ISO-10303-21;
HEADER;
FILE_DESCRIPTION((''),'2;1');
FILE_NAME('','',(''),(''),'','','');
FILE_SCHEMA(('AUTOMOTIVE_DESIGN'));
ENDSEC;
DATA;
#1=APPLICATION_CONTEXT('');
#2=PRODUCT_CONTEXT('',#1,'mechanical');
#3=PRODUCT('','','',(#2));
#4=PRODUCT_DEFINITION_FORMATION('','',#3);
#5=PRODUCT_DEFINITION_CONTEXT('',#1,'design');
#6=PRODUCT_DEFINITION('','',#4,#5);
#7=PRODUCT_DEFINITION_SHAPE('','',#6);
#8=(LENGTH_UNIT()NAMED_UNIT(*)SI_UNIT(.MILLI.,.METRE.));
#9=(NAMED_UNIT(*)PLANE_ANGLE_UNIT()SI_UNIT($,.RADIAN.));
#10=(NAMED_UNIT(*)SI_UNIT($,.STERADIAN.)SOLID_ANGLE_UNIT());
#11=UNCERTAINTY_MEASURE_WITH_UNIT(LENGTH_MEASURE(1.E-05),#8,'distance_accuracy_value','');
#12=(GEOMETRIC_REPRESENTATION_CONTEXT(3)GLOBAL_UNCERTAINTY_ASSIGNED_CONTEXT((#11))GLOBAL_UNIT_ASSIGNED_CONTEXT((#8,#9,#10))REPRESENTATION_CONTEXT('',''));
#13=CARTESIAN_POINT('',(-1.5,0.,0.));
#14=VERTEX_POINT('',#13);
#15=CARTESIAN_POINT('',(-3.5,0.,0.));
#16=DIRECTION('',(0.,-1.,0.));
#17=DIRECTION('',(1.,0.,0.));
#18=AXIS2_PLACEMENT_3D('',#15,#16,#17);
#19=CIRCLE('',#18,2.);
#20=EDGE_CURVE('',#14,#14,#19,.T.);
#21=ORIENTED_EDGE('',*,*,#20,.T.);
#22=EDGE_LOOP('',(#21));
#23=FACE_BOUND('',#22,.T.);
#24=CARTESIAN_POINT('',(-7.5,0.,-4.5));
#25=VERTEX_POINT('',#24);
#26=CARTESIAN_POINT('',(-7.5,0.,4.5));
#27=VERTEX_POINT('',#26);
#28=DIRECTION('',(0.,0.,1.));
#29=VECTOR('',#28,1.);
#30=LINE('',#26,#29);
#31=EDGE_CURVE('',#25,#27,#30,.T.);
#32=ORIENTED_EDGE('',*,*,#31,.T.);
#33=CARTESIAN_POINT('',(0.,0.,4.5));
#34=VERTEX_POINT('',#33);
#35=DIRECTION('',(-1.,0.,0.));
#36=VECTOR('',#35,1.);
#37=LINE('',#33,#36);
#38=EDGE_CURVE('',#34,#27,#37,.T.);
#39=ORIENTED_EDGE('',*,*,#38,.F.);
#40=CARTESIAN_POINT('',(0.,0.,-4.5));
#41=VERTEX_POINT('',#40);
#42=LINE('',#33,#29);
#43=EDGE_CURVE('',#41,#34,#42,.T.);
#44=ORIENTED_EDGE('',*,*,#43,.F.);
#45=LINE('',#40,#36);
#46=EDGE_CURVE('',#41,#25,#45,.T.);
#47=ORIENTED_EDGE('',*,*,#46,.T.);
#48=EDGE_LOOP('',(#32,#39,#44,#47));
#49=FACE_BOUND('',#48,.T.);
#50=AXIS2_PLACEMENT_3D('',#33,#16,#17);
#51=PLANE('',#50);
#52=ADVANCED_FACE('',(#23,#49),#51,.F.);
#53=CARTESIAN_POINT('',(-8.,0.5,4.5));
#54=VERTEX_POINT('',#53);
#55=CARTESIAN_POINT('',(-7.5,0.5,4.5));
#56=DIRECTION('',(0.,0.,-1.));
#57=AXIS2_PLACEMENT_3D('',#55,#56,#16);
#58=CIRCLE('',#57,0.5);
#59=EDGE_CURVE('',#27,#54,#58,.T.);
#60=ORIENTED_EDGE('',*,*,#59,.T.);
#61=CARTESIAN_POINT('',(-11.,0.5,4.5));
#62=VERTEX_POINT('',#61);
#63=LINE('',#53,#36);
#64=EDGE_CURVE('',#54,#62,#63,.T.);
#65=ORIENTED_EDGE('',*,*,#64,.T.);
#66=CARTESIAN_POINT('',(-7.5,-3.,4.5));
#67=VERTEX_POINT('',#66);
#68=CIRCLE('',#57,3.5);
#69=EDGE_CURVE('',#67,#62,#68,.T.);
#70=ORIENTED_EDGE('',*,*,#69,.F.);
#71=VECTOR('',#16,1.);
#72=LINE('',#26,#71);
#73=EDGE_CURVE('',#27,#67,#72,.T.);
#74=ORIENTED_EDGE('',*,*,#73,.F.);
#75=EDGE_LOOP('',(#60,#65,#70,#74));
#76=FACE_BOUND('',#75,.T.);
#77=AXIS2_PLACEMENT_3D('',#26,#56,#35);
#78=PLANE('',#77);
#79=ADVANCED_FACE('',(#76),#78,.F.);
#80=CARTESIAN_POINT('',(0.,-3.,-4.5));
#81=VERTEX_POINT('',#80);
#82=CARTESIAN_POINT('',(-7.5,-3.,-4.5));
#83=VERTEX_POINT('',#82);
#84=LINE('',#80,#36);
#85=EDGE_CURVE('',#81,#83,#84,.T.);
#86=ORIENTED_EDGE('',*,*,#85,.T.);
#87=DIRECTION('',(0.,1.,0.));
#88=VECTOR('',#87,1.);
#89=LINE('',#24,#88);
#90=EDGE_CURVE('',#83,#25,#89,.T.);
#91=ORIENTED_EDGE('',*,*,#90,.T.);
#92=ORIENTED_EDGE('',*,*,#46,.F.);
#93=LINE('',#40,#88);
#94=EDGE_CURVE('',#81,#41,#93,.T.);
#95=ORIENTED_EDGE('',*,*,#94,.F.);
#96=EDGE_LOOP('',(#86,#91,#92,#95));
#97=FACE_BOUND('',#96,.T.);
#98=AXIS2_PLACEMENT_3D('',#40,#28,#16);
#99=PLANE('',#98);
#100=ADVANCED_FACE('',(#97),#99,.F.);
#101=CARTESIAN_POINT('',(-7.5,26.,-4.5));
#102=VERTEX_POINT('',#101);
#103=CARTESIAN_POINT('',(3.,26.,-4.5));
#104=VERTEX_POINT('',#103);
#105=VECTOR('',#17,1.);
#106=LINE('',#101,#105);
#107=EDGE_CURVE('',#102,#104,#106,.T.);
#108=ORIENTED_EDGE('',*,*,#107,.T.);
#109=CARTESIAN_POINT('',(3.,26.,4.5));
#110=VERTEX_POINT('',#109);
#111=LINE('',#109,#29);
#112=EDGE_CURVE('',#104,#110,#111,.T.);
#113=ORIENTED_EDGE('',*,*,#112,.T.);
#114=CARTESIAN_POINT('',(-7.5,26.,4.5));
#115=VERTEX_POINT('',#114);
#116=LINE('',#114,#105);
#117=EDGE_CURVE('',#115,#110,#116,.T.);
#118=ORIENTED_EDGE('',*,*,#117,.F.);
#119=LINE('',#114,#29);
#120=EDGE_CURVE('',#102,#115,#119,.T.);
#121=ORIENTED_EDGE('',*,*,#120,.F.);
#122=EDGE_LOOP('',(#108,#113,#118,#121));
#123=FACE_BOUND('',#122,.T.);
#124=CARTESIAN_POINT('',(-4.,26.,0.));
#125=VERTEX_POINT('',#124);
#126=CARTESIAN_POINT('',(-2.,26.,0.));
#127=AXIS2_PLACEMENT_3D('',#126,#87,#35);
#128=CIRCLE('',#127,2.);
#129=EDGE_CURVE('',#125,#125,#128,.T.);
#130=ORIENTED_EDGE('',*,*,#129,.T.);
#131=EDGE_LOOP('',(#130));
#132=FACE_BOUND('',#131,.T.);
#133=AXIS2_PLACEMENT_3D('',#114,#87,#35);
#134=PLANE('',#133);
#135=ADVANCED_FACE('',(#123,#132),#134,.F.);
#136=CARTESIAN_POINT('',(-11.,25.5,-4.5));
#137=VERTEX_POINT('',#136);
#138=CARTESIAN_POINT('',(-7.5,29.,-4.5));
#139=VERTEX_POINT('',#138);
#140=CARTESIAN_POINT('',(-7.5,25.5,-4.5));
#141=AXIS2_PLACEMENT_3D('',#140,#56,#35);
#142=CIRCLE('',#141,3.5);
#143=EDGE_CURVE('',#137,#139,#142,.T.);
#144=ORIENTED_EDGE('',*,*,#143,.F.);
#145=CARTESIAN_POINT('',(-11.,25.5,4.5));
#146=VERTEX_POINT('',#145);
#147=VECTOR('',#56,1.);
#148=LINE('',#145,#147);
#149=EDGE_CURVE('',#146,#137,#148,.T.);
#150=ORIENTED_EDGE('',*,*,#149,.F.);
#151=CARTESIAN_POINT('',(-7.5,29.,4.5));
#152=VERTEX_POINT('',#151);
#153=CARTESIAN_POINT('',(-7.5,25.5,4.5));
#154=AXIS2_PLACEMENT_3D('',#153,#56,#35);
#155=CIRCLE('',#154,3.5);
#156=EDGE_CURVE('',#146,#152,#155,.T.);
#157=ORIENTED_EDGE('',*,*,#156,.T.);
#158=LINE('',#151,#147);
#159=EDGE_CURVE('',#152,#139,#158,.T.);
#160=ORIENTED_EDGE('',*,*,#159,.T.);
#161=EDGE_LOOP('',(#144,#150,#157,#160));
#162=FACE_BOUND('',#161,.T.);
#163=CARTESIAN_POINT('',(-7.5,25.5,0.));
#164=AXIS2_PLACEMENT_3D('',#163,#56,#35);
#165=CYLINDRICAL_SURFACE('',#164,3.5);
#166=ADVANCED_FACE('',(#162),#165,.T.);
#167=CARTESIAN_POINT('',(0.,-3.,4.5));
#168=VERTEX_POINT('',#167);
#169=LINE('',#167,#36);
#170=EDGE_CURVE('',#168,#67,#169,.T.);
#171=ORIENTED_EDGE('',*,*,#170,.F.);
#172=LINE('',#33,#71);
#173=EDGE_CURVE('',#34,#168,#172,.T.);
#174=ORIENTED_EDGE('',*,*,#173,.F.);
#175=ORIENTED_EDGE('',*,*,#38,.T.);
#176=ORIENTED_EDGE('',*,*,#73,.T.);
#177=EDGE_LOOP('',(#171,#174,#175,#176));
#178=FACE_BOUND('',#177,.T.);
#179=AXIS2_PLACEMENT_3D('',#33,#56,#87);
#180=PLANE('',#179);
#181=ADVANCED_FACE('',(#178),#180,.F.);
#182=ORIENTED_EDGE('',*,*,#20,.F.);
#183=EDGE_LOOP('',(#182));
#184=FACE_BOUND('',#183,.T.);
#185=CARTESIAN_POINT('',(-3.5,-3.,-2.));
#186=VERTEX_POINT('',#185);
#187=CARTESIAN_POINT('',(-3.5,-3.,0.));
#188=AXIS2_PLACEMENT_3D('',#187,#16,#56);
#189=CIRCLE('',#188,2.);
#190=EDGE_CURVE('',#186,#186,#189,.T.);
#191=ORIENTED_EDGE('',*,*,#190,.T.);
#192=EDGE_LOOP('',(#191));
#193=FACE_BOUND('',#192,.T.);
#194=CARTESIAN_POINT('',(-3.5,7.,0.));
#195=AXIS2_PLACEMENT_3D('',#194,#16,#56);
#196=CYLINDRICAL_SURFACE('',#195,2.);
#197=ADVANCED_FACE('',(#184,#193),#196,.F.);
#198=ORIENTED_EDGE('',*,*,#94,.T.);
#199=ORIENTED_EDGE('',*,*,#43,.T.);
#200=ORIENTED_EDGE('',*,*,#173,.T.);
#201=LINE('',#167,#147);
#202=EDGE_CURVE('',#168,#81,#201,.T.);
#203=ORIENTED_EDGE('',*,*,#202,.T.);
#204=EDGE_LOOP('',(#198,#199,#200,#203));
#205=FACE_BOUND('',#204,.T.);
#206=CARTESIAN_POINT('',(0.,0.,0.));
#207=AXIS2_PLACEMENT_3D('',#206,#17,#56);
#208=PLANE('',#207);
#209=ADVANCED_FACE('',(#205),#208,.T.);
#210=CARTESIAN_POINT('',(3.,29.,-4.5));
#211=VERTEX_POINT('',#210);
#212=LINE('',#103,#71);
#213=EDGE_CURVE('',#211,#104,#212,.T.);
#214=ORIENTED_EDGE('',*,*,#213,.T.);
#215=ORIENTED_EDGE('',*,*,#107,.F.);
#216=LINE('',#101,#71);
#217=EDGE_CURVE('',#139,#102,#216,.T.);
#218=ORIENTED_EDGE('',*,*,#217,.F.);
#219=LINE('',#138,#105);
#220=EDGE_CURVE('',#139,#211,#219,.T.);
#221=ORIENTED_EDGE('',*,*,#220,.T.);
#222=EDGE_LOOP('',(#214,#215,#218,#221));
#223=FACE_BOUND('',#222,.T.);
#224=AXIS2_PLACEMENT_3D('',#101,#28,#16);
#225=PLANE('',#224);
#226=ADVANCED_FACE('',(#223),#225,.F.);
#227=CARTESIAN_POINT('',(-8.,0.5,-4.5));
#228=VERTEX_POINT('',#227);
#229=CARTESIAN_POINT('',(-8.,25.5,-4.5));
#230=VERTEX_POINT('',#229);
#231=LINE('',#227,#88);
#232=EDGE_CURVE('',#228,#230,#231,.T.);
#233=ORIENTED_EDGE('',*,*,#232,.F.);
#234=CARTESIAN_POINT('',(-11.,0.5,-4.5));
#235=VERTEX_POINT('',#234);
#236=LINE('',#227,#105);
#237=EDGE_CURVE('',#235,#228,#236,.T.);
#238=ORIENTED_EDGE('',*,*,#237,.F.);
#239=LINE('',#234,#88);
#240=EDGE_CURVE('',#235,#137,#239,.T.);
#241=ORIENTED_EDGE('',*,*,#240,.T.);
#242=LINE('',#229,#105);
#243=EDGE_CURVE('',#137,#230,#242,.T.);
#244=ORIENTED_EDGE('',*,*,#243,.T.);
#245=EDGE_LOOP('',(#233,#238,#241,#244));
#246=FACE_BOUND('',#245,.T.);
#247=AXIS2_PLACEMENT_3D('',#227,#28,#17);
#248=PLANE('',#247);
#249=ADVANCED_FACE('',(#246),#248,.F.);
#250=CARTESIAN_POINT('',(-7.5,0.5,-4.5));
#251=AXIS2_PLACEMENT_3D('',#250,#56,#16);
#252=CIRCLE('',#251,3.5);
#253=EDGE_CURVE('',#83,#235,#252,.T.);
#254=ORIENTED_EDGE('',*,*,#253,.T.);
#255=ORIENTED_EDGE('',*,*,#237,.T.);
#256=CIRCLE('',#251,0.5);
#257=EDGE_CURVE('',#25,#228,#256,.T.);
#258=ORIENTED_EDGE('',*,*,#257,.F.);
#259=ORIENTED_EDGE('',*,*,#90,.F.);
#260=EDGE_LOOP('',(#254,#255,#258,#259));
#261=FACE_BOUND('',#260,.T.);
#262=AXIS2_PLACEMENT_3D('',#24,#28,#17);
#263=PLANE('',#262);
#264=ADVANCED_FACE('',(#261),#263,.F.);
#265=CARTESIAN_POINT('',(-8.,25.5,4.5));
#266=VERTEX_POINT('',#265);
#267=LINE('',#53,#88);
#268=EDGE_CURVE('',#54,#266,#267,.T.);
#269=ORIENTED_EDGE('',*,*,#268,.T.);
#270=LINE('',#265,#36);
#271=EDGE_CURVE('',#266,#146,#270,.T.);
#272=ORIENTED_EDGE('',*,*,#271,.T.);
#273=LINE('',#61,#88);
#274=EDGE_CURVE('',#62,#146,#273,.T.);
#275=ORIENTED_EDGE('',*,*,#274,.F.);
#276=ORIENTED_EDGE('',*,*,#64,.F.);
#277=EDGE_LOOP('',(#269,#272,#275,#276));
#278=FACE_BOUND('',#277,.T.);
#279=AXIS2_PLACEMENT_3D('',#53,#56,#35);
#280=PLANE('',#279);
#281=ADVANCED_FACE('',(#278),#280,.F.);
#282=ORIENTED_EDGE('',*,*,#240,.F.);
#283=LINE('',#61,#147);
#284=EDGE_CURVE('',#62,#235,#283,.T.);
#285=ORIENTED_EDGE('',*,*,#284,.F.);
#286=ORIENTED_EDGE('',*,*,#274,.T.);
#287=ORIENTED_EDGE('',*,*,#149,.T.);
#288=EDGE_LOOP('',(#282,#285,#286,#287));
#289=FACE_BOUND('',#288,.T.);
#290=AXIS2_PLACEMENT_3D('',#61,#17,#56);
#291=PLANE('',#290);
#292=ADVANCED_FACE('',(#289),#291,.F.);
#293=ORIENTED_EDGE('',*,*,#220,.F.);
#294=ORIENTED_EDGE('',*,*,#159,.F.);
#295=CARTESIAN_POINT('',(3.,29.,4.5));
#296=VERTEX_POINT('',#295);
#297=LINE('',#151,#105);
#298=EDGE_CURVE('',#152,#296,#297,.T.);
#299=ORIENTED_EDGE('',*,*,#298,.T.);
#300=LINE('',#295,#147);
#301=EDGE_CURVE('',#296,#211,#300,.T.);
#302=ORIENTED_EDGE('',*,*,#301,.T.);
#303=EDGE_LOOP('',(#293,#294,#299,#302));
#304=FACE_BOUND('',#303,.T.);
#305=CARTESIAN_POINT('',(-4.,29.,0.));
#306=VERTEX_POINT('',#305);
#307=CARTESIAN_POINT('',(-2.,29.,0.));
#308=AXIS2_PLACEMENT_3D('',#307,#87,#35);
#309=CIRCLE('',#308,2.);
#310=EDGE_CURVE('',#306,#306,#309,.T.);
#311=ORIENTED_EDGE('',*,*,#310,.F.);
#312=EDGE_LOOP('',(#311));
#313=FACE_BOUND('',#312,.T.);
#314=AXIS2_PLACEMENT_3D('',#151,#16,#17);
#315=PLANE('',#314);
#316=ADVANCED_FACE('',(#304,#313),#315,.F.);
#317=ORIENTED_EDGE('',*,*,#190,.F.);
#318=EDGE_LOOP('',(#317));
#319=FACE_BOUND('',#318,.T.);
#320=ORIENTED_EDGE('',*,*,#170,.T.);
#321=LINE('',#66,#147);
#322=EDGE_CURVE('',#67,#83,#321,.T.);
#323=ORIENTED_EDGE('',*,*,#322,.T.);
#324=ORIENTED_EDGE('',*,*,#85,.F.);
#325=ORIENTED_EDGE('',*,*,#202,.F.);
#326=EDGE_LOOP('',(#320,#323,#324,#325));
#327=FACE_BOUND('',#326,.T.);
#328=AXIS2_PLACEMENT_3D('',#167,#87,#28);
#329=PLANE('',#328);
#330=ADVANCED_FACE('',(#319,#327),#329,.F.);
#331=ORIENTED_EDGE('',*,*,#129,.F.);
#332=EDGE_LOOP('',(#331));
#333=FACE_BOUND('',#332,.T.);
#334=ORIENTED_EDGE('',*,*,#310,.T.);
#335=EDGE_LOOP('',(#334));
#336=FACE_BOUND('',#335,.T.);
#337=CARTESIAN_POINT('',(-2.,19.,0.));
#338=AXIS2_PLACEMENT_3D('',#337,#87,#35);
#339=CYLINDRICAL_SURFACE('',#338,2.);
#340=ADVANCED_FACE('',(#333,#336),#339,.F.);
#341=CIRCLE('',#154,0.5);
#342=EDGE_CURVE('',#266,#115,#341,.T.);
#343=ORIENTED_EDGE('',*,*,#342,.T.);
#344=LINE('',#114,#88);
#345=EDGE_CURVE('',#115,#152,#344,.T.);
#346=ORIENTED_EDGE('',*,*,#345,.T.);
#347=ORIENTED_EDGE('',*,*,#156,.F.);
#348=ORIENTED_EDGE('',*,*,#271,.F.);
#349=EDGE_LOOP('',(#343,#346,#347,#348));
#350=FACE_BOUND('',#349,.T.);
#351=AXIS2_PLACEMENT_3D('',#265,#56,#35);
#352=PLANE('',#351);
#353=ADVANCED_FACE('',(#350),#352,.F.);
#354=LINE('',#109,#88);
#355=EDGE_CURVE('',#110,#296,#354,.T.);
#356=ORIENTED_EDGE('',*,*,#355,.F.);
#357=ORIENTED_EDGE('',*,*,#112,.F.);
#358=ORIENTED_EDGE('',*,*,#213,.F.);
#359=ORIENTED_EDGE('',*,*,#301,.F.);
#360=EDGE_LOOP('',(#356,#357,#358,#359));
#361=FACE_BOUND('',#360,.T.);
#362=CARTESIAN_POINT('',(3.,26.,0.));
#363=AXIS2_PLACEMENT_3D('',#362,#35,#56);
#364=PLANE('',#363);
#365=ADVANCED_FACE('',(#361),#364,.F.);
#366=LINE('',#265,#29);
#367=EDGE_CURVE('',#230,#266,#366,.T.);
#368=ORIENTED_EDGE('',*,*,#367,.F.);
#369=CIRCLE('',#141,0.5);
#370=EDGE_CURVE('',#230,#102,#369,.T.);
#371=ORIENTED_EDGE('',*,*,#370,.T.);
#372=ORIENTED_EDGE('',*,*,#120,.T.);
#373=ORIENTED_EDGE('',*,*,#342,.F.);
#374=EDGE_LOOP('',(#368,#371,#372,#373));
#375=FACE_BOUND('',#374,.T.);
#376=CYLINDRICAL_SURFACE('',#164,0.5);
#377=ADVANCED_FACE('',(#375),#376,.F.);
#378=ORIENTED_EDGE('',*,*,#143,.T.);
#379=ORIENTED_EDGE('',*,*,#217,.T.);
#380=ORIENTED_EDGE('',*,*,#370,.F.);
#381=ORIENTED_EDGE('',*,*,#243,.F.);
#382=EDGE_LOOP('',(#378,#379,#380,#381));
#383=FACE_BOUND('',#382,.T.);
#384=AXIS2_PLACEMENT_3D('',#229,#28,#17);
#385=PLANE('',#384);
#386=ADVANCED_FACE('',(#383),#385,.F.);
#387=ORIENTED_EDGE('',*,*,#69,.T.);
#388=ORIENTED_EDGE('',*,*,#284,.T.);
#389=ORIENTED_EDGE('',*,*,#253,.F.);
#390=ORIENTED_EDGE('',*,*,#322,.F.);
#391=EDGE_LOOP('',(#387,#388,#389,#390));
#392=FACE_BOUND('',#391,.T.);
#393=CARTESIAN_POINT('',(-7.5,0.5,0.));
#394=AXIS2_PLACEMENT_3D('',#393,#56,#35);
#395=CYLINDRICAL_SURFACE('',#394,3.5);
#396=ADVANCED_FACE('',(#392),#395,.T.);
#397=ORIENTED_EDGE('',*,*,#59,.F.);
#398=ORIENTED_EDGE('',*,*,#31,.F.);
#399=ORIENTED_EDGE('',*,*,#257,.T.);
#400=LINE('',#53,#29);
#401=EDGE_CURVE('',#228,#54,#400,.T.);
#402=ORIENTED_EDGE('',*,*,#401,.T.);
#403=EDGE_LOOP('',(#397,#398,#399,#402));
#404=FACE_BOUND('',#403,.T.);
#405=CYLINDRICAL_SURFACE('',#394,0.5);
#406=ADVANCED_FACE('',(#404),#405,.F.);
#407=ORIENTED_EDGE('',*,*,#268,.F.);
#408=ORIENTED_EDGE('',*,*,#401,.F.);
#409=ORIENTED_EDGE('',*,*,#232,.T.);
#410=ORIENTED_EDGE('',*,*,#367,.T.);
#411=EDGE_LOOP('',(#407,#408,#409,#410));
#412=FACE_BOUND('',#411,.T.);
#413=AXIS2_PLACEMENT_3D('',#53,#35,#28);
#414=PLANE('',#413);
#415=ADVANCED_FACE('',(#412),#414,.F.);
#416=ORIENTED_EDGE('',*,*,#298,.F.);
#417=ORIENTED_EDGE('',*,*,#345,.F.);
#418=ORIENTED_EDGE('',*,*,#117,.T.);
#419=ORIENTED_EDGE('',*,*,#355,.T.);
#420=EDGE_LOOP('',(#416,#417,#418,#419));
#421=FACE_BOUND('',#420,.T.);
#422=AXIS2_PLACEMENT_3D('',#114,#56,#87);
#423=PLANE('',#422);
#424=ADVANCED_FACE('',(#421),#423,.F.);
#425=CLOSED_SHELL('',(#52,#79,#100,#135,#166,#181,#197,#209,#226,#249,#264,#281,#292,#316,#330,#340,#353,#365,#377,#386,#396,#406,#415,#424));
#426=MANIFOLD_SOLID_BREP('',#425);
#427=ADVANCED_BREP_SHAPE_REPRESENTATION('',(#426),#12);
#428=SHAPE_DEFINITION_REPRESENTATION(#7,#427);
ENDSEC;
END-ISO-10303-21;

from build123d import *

# Parameters (mm, degrees)
SKETCH2_W          = 9
SKETCH2_H          = 3
SKETCH7_R          = 2
CUT_EXTRUDE1_DEPTH = 10
SKETCH8_R          = 2
CUT_EXTRUDE2_DEPTH = 10


with BuildPart() as part:
    # Sweep1: sweep along a path in Sketch1
    with BuildLine(Plane.XY) as sweep1_path:
        Line((0, 0), (-7.5, 0))
        ThreePointArc((-7.5, 0), (-7.853553391, 0.146446609), (-8, 0.5))
        Line((-8, 0.5), (-8, 25.5))
        ThreePointArc((-8, 25.5), (-7.853553391, 25.853553391), (-7.5, 26))
        Line((-7.5, 26), (3, 26))
    # Sketch2 → Sweep1 (sweep)
    with BuildSketch(Plane(origin=(0, 0, 0), x_dir=(0, 0, -1), z_dir=(1, 0, 0))):
        with Locations((0, -1.5)):
            Rectangle(SKETCH2_W, SKETCH2_H)
    sweep(path=sweep1_path.line)

    # Sketch7 → Cut-Extrude1 (cut)
    with BuildSketch(Plane(origin=(0, 29, 0), x_dir=(1, 0, 0), z_dir=(0, 1, 0))):
        with Locations(Location((-2, 0, 0), (0, 0, 180))):
            Circle(SKETCH7_R)
    extrude(amount=-CUT_EXTRUDE1_DEPTH, mode=Mode.SUBTRACT)

    # Sketch8 → Cut-Extrude2 (cut)
    with BuildSketch(Plane(origin=(0, -3, 0), x_dir=(-1, 0, 0), z_dir=(0, -1, 0))):
        with Locations(Location((3.5, 0, 0), (0, 0, 90))):
            Circle(SKETCH8_R)
    extrude(amount=-CUT_EXTRUDE2_DEPTH, mode=Mode.SUBTRACT)


solid = part.part
